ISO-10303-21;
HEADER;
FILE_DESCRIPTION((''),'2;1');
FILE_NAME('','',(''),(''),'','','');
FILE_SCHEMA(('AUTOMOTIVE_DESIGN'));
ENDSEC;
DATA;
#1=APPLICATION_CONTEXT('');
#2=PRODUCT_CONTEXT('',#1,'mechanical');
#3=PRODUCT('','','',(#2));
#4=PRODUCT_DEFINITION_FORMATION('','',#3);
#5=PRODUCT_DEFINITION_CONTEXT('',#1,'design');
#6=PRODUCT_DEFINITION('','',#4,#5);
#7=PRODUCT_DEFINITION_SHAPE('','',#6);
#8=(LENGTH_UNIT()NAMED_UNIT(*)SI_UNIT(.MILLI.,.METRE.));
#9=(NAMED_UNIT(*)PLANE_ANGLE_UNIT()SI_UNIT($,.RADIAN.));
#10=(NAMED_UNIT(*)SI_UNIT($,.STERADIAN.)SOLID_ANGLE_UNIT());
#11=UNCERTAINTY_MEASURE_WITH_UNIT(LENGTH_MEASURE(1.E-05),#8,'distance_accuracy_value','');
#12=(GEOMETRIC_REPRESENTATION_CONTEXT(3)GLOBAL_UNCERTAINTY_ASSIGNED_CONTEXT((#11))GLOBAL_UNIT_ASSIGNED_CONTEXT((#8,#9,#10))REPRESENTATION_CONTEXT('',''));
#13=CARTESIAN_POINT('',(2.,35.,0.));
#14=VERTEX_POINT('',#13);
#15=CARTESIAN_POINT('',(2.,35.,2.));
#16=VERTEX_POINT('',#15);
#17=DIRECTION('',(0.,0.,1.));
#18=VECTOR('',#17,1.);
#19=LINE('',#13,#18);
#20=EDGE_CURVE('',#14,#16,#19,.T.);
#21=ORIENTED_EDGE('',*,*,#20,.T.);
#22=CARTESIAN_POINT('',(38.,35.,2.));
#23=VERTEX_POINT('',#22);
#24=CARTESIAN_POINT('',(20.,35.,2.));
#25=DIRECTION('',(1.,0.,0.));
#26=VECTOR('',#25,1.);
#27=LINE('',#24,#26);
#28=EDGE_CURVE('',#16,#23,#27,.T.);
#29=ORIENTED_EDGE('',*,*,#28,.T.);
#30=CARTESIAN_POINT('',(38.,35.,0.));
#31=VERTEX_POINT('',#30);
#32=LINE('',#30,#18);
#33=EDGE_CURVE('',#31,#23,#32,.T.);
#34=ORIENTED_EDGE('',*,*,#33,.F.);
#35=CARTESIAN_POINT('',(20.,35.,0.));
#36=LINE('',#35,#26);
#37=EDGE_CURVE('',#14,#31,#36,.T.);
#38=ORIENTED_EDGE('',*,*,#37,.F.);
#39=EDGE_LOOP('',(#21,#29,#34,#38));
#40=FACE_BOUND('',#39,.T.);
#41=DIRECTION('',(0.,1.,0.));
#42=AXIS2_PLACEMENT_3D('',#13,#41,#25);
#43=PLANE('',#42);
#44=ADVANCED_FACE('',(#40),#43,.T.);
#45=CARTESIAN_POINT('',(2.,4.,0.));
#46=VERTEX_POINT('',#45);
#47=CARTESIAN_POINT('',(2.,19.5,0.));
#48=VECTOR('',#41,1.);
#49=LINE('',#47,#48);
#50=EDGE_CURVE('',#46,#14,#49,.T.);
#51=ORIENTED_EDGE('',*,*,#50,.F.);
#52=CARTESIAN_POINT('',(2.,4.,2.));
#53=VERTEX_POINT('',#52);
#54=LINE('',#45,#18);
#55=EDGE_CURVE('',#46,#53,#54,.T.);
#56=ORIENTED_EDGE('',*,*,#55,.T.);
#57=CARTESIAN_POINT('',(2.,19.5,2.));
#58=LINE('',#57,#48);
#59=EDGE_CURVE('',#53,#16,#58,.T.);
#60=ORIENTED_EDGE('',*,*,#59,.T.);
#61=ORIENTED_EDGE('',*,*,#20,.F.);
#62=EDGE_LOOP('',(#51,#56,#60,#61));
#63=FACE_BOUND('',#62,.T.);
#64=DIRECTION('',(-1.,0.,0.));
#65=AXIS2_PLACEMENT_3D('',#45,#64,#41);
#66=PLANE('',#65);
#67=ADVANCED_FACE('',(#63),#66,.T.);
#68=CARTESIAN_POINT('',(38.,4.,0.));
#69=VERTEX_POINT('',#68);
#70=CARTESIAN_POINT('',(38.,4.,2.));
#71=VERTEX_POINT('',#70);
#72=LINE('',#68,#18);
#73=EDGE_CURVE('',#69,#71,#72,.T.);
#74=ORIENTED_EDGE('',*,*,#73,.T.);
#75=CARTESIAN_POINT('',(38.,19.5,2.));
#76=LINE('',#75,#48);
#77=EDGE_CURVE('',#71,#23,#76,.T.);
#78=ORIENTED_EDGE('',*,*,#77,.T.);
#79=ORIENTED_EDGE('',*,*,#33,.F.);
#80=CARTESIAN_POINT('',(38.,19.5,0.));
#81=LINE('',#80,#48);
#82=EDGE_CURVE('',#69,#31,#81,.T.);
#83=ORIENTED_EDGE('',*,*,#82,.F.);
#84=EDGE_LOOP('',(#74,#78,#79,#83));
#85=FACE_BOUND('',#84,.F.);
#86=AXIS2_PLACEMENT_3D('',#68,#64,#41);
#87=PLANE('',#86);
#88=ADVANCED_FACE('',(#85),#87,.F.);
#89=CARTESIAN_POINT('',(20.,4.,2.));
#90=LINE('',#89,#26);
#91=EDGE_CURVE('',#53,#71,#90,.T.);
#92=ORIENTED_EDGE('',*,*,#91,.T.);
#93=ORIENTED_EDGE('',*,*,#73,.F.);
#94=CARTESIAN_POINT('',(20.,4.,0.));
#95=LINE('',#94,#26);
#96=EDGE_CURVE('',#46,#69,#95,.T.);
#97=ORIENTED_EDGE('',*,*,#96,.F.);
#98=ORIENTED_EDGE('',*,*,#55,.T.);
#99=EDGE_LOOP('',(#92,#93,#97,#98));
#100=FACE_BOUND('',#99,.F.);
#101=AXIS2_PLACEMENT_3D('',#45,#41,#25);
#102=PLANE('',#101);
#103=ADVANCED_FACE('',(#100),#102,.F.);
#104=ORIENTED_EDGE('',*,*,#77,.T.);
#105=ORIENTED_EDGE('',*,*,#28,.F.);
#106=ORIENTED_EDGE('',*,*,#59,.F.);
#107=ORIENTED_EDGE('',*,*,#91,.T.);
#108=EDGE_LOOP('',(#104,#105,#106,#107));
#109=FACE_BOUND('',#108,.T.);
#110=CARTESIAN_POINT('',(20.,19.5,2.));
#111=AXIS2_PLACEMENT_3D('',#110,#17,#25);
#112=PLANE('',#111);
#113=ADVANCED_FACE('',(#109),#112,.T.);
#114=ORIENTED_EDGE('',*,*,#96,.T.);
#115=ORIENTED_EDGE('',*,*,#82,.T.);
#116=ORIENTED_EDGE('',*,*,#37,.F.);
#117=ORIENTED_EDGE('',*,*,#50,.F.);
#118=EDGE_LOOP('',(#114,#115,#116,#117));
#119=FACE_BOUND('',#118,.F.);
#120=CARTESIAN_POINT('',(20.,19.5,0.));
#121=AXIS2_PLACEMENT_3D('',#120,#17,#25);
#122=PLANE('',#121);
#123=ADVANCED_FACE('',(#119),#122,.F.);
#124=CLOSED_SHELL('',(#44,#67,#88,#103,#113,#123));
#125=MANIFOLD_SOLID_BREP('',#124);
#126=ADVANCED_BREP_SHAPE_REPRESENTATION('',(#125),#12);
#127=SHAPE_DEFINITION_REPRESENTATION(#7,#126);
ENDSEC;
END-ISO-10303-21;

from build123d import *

# Parameters (mm, degrees)
SKETCH_W  = 36
SKETCH_H  = 31
PAD_DEPTH = 2


with BuildPart() as part:
    # Sketch → Pad (new body)
    with BuildSketch(Plane.XY):
        with Locations((20, 19.5)):
            Rectangle(SKETCH_W, SKETCH_H)
    extrude(amount=PAD_DEPTH)


solid = part.part
